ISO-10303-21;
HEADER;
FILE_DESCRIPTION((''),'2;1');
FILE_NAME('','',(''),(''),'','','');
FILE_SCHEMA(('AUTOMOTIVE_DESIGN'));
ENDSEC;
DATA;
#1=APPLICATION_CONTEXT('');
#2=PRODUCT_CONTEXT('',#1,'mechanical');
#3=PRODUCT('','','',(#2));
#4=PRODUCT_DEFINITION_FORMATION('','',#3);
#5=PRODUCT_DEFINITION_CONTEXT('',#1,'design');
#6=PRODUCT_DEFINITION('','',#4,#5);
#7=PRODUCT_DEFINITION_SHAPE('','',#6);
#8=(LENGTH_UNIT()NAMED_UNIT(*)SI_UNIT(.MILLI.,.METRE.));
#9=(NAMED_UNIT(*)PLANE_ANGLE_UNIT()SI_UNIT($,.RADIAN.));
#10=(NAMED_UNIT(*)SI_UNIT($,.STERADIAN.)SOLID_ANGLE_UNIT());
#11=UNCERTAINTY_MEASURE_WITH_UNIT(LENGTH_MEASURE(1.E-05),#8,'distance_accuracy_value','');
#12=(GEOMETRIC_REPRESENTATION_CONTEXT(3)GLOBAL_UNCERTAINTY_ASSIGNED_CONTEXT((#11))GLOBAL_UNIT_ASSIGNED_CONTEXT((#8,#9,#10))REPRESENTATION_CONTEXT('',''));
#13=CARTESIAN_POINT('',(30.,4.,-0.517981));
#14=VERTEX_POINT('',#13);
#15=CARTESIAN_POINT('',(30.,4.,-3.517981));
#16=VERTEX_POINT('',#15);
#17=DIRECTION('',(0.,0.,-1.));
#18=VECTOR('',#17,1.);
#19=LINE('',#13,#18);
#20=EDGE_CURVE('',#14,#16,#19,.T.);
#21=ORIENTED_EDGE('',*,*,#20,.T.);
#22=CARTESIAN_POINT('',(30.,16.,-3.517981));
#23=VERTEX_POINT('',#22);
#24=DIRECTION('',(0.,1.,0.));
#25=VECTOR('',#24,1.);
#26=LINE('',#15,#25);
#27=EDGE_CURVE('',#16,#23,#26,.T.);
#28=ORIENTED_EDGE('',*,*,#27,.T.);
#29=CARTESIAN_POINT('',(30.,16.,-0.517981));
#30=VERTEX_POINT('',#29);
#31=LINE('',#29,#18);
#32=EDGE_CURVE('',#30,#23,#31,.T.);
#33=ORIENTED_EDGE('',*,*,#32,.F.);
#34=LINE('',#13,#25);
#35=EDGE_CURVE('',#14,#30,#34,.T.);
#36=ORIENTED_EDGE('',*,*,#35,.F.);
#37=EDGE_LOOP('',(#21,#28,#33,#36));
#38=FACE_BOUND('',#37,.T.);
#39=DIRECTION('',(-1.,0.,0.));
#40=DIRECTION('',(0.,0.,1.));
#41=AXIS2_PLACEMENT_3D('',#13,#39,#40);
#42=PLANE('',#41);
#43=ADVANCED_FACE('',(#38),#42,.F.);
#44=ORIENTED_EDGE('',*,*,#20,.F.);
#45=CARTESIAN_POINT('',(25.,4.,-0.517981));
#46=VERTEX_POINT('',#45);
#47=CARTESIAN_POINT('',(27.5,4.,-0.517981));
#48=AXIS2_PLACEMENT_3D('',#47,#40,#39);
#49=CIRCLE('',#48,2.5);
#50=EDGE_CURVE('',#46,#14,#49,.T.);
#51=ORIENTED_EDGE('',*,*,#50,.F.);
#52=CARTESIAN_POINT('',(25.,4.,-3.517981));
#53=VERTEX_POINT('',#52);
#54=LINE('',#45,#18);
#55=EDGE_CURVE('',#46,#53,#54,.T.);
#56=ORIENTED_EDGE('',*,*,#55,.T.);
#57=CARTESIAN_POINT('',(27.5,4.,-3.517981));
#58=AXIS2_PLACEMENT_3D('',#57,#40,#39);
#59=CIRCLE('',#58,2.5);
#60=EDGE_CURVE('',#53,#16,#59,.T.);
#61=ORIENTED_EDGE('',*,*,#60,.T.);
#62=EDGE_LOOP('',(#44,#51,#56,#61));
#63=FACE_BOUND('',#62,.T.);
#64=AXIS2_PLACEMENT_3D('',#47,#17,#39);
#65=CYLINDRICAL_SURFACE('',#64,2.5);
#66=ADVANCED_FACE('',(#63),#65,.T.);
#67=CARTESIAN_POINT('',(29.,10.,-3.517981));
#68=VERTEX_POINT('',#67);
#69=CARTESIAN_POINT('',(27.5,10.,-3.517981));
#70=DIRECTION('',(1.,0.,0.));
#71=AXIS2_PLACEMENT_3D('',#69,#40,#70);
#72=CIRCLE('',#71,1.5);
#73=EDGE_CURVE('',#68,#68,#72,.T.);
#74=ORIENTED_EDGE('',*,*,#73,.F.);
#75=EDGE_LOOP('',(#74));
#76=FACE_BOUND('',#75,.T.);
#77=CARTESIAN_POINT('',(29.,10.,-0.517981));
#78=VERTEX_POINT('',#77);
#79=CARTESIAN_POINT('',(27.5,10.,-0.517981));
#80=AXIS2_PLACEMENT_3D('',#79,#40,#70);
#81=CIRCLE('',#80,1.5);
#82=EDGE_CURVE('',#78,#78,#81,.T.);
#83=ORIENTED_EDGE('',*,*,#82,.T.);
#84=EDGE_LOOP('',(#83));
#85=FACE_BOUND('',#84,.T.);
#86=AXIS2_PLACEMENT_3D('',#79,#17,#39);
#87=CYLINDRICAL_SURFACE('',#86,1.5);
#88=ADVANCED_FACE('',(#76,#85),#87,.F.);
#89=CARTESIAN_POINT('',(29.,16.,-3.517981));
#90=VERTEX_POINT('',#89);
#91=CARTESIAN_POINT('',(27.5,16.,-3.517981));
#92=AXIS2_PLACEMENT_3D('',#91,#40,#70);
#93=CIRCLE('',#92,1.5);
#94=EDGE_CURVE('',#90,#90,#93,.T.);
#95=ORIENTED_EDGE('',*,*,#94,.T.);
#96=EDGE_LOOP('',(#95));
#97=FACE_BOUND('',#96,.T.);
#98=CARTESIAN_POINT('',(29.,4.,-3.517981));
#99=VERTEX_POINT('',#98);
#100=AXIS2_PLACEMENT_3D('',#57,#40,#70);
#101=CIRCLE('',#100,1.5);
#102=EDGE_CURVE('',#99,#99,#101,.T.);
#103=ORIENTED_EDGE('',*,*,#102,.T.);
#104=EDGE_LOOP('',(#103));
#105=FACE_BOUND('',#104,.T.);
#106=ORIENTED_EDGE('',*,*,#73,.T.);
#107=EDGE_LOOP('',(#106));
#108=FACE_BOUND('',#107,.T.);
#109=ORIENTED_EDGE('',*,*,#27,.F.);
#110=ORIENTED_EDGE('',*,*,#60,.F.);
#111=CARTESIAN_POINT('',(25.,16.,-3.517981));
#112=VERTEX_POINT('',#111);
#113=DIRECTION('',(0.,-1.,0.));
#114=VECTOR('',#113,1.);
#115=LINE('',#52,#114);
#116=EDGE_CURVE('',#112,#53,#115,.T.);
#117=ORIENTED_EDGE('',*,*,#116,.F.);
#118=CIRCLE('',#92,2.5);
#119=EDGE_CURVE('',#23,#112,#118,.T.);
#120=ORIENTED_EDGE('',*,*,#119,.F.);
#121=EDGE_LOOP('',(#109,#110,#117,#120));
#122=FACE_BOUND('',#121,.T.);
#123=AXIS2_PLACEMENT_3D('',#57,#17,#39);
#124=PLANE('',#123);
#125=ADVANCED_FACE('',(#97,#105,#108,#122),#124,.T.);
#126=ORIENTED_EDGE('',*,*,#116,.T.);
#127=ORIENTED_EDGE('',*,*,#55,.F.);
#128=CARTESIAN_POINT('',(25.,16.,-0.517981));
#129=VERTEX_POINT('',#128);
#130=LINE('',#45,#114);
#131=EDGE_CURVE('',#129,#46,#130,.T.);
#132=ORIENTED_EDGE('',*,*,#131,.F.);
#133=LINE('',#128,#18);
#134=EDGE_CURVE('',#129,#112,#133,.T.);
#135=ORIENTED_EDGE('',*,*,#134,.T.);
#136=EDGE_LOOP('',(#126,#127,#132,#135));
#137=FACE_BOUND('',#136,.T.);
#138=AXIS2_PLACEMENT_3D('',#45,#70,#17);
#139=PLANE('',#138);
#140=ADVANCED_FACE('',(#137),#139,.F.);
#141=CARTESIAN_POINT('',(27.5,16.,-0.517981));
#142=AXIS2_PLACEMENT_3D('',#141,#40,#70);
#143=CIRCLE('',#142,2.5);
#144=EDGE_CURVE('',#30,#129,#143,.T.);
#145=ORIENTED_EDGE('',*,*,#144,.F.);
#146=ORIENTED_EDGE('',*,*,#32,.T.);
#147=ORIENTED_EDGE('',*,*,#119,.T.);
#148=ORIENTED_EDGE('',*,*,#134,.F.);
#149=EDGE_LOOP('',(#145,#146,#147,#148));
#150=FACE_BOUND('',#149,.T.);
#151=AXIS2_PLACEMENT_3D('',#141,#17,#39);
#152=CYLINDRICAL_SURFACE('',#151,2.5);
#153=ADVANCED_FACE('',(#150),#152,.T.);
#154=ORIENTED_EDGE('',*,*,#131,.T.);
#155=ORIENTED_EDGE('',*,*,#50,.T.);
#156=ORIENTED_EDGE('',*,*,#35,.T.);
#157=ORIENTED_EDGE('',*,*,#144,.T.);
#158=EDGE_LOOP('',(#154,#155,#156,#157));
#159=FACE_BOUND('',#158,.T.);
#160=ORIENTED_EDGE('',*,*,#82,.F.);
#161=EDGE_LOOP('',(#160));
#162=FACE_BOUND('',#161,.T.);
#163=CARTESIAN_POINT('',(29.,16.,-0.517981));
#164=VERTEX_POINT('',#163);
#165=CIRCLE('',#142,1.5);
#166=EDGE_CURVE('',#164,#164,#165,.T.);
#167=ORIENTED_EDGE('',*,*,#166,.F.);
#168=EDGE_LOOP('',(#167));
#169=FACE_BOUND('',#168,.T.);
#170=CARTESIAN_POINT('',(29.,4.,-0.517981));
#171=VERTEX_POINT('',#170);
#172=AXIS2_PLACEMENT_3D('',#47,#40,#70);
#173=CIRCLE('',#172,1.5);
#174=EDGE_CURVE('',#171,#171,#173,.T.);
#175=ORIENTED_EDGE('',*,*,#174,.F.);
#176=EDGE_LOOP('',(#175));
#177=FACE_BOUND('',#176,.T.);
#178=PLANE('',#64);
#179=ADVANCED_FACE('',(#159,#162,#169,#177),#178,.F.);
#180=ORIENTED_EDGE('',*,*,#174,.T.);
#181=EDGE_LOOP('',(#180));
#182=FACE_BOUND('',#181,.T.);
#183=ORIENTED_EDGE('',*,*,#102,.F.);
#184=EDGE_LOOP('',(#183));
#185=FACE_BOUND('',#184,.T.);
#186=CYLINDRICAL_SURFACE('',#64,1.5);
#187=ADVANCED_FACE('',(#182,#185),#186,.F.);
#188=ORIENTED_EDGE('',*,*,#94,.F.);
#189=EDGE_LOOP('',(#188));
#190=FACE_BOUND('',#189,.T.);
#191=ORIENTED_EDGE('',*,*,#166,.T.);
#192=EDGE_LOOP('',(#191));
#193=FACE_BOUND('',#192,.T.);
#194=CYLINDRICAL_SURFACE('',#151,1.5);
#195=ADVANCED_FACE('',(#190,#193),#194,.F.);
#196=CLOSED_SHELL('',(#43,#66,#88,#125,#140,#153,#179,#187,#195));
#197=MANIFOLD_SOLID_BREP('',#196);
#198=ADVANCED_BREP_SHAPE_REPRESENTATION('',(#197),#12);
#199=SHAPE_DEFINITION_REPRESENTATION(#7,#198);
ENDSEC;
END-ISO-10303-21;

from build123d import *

# Parameters (mm, degrees)
ESQUISSE2_R        = 1.5
BOSS_EXTRU_1_DEPTH = 3


with BuildPart() as part:
    # Esquisse2 → Boss.-Extru.1 (new body)
    with BuildSketch(Plane.XY.offset(-3.51798097)):
        with BuildLine():
            Line((25, 4), (25, 16))
            ThreePointArc((25, 16), (27.5, 18.5), (30, 16))
            Line((30, 16), (30, 4))
            ThreePointArc((30, 4), (27.5, 1.5), (25, 4))
        make_face()
        with Locations((27.5, 16)):
            Circle(ESQUISSE2_R, mode=Mode.SUBTRACT)
        with Locations((27.5, 4)):
            Circle(ESQUISSE2_R, mode=Mode.SUBTRACT)
        with Locations((27.5, 10)):
            Circle(ESQUISSE2_R, mode=Mode.SUBTRACT)
    extrude(amount=BOSS_EXTRU_1_DEPTH)


solid = part.part
